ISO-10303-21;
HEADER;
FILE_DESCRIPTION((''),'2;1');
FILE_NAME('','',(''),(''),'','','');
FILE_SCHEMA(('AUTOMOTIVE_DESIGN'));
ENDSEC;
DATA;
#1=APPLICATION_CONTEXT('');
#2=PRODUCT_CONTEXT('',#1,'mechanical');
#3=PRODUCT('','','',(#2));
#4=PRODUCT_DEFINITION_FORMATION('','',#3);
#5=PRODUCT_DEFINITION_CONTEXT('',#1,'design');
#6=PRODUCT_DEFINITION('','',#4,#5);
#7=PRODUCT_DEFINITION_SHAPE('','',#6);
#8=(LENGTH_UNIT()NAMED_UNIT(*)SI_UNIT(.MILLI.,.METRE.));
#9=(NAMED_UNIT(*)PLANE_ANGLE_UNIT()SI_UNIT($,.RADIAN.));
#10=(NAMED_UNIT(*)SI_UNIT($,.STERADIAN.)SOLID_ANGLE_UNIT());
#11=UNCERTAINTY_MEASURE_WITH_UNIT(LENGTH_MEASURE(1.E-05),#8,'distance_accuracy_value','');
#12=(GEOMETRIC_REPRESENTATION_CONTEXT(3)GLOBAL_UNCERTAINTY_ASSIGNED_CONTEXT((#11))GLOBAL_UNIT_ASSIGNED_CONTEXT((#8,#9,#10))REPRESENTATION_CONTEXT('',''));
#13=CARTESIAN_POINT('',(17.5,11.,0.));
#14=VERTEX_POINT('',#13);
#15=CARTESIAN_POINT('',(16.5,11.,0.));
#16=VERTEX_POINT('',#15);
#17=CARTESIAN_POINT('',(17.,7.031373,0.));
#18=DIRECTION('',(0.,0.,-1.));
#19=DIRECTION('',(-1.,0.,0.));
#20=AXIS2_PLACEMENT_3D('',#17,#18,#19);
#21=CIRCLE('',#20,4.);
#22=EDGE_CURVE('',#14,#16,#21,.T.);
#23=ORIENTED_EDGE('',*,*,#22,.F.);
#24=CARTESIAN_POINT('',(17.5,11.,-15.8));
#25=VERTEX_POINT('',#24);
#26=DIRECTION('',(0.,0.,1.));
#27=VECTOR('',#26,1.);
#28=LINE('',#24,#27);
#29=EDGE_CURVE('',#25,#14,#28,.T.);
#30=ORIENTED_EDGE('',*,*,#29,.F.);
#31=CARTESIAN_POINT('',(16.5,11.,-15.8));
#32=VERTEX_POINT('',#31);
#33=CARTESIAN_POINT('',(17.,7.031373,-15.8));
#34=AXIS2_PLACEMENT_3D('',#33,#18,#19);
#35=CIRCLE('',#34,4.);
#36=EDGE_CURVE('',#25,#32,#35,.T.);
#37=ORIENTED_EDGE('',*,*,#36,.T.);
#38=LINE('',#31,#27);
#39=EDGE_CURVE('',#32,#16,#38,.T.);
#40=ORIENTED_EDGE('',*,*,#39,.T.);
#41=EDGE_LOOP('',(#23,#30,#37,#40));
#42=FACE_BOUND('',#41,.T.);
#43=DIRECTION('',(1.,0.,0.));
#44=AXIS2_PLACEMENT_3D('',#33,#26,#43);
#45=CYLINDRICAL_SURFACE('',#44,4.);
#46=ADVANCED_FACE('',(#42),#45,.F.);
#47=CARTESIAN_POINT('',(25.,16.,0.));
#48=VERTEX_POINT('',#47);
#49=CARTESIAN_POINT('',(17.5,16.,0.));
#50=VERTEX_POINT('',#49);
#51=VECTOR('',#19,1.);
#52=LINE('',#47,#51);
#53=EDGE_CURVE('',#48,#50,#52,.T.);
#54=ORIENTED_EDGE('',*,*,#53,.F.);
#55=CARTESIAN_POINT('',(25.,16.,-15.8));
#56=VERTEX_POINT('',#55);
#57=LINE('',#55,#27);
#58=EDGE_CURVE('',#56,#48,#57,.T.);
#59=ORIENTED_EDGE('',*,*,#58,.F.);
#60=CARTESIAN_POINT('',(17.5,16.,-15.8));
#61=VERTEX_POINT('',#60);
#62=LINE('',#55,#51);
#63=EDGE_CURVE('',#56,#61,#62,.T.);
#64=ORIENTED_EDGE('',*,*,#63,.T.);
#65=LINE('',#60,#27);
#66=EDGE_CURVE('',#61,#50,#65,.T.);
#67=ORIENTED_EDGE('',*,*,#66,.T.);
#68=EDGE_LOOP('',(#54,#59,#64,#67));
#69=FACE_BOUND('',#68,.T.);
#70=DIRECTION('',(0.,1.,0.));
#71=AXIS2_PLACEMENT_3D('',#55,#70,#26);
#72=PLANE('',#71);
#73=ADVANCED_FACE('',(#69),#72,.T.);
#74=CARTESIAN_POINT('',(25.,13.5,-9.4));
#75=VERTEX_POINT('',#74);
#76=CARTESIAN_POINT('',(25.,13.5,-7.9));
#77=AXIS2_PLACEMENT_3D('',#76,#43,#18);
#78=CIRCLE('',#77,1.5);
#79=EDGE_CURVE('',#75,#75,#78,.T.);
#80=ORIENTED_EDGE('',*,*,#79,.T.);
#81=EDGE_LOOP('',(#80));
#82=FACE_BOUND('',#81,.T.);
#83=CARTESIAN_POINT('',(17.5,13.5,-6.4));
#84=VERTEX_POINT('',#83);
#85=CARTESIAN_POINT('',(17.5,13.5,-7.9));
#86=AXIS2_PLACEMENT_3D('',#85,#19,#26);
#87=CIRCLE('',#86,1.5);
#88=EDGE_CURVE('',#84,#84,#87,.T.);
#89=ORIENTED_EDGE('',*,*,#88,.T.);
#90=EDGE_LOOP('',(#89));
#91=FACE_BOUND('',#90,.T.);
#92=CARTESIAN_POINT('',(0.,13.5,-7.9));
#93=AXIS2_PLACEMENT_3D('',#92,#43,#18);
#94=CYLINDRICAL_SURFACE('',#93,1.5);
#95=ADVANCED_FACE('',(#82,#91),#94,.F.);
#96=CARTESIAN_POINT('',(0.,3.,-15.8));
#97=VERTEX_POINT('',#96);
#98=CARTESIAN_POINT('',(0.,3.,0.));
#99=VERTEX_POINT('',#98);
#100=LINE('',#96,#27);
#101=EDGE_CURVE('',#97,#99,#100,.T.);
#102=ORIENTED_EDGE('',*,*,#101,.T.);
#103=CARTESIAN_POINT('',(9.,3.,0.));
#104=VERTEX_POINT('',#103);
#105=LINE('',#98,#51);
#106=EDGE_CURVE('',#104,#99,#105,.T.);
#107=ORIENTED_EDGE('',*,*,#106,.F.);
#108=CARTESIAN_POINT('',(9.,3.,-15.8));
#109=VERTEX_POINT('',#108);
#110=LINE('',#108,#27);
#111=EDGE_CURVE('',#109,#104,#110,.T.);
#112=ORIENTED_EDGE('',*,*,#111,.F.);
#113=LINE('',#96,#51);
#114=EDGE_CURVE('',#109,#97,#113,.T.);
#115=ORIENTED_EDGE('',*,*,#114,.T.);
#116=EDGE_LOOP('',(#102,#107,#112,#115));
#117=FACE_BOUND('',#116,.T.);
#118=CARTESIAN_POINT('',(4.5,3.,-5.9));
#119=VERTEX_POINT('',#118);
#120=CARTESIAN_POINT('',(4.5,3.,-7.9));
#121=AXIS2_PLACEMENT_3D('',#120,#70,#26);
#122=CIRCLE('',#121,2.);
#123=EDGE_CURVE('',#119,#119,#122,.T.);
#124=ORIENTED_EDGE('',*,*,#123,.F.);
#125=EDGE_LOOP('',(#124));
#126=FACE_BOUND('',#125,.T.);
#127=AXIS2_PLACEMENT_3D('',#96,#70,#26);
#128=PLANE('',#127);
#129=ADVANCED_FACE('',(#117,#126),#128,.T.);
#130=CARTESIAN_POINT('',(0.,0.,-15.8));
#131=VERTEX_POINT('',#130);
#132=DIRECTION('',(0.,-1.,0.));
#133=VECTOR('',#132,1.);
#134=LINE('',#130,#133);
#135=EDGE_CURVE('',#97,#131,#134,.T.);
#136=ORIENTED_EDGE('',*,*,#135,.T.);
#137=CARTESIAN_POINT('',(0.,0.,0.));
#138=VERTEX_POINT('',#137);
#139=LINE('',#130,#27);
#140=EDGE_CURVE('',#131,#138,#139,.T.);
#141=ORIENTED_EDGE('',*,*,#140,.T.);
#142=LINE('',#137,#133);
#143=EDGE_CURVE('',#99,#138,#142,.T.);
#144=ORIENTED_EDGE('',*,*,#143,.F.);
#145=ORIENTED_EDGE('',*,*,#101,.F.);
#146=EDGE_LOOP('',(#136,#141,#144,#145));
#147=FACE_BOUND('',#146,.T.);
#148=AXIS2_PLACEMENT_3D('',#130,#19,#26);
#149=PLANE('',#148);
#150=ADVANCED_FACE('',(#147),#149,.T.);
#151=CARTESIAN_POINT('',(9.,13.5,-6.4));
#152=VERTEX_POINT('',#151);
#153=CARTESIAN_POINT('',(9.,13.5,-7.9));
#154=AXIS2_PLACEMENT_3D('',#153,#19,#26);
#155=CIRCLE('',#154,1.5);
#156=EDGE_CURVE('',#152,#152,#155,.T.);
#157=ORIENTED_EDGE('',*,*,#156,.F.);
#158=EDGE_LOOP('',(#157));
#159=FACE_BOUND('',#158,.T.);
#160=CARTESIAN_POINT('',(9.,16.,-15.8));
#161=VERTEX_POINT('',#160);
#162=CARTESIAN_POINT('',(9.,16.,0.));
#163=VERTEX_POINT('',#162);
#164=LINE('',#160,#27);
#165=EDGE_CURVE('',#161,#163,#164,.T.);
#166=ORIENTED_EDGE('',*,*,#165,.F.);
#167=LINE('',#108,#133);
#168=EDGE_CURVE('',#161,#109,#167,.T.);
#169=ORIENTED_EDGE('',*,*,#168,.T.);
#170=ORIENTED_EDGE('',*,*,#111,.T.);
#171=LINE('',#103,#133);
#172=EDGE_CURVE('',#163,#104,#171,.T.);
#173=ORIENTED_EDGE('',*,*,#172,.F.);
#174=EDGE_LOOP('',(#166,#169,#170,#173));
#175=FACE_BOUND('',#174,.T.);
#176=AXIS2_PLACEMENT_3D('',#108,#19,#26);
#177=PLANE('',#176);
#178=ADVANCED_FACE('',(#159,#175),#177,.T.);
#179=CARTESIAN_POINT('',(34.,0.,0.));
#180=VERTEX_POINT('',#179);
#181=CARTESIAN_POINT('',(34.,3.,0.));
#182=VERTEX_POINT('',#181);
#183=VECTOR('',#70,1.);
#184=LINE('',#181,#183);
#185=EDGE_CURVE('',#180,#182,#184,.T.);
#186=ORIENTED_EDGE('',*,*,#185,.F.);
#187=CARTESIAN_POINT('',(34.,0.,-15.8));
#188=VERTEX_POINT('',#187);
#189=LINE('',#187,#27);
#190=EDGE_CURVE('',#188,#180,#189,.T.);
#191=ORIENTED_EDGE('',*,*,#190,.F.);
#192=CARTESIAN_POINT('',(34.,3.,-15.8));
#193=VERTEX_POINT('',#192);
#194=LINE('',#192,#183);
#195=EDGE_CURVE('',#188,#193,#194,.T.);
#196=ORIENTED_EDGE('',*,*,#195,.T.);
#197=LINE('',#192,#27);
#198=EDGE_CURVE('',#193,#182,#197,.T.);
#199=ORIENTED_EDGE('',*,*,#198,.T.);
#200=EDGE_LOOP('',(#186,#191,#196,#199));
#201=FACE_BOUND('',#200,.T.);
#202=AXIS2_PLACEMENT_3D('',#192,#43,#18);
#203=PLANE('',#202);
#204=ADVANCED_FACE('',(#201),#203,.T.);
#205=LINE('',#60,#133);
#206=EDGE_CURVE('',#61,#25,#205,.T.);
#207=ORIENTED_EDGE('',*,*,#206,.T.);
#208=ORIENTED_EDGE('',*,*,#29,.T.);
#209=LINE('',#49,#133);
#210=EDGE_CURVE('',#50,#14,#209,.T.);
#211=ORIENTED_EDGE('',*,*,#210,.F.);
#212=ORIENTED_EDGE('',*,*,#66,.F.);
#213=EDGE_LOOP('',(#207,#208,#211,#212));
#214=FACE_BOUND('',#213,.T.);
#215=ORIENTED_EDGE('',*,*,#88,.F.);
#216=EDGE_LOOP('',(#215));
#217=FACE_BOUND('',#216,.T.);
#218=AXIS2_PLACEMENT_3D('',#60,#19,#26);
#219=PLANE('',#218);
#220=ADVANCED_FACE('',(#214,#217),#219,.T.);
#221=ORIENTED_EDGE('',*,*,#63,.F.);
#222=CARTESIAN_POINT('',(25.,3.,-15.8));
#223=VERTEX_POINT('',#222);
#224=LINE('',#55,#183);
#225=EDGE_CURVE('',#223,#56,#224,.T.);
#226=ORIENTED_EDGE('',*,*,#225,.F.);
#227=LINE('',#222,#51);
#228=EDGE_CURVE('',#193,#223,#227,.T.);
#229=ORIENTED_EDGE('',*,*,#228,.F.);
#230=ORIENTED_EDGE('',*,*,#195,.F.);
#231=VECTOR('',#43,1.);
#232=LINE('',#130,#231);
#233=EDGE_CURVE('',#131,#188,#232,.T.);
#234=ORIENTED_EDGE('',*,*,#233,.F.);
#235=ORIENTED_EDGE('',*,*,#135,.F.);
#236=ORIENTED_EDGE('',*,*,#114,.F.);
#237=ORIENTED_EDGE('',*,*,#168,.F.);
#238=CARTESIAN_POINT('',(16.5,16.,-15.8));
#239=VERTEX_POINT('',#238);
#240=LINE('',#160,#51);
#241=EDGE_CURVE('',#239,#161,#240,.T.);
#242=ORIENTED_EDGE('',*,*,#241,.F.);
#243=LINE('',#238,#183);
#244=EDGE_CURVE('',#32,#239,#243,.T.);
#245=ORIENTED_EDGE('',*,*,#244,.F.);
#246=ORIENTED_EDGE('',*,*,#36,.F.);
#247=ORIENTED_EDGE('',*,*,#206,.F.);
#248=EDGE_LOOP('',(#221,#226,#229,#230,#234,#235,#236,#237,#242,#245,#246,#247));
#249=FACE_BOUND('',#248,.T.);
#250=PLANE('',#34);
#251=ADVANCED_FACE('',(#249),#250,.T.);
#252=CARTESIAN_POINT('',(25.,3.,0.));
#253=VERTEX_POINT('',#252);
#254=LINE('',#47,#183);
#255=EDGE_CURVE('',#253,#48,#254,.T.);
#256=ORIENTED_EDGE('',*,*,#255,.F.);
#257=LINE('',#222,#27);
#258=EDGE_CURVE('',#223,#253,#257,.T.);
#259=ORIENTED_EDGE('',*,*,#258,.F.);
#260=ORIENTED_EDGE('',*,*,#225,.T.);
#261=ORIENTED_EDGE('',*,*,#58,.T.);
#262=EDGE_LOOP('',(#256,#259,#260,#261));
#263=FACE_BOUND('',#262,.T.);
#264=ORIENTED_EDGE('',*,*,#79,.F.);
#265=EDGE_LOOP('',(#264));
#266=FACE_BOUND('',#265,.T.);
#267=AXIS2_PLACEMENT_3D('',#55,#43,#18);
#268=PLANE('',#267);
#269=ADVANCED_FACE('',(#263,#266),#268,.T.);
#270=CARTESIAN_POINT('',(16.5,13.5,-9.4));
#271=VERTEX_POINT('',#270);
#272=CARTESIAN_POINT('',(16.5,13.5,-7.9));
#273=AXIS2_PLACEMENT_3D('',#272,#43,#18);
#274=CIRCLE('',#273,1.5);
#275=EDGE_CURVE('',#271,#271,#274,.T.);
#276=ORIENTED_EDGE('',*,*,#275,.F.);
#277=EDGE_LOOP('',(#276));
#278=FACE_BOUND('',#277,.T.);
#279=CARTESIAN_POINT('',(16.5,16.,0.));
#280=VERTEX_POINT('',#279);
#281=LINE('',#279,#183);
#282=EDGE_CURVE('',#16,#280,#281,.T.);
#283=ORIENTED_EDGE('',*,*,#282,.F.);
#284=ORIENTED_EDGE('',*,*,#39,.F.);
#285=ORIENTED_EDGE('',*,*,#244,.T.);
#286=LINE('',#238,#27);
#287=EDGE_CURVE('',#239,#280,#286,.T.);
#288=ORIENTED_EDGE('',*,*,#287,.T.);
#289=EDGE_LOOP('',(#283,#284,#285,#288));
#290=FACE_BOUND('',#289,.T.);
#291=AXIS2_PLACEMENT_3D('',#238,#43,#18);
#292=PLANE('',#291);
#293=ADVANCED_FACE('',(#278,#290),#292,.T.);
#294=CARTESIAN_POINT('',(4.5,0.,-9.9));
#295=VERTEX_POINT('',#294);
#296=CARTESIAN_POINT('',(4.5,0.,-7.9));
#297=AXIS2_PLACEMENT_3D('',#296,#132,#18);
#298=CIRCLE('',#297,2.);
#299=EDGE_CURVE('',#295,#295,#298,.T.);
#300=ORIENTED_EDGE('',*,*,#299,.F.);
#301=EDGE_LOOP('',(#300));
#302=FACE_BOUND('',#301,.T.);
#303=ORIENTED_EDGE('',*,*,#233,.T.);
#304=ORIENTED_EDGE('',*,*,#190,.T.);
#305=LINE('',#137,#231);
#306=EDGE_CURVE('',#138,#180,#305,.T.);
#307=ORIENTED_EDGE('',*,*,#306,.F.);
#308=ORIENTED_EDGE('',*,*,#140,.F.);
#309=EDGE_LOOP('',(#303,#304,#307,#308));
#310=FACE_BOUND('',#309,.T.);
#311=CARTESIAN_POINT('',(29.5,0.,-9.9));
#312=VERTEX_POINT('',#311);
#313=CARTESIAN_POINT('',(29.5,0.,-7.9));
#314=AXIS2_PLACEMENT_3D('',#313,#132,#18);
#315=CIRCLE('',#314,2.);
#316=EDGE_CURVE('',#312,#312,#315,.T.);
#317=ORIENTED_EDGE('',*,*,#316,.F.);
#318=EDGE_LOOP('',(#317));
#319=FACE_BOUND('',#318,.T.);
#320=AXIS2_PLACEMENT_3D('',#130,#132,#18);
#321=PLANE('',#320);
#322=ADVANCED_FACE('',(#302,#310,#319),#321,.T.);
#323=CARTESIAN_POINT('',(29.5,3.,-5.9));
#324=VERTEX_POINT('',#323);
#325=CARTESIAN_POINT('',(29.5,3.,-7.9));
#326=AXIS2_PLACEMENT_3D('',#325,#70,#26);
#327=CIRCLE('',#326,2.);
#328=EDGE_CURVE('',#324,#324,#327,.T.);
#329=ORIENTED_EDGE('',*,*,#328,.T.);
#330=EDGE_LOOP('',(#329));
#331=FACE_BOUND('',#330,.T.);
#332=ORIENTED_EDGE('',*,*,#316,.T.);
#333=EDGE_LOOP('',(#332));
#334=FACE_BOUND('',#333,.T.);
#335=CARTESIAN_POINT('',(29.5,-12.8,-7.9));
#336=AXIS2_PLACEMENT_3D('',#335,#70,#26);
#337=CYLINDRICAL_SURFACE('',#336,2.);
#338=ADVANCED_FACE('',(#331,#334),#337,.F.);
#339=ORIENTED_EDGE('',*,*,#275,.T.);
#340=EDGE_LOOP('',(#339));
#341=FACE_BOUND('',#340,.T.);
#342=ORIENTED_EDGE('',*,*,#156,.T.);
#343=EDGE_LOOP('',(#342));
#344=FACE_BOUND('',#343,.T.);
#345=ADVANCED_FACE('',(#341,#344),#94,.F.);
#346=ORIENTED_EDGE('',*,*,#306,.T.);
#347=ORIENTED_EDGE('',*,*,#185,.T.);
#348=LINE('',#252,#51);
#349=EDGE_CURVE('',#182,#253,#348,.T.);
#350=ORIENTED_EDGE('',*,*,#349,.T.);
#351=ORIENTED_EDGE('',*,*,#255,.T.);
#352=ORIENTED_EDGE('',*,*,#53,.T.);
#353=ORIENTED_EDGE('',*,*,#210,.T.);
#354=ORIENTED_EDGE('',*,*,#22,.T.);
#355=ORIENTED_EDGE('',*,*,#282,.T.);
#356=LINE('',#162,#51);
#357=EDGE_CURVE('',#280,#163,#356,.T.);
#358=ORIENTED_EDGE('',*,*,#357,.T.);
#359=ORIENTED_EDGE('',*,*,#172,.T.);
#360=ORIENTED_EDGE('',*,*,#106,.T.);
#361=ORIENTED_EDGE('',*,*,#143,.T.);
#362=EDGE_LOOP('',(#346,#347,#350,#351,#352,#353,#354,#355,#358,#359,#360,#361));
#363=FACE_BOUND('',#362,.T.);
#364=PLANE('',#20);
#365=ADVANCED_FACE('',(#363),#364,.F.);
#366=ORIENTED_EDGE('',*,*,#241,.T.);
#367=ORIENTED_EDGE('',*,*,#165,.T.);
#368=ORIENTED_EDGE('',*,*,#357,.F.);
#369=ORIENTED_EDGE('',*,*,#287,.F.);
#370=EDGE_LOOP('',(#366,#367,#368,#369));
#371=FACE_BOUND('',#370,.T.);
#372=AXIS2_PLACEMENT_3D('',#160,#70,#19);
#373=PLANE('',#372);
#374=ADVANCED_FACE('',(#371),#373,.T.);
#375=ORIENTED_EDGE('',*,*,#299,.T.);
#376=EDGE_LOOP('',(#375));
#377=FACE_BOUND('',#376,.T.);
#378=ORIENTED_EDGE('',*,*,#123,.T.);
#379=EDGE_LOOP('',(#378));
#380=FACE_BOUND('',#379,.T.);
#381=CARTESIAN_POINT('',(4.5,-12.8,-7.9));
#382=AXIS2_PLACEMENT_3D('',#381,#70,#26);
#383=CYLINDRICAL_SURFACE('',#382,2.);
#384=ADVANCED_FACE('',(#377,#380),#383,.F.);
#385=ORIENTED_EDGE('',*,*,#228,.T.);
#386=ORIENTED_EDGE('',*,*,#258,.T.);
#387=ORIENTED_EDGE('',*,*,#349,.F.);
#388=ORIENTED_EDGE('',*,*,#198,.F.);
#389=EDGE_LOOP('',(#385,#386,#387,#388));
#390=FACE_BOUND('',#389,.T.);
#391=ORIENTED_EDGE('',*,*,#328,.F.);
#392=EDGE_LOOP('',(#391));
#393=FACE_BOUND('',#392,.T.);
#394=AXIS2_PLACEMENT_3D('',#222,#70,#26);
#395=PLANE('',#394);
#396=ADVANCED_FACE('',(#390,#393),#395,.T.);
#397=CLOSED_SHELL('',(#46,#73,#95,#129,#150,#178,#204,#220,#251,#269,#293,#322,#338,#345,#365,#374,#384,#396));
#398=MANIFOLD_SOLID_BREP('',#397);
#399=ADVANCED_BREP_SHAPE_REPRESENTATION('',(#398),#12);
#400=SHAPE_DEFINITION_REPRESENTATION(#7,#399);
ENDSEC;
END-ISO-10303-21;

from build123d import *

# Parameters (mm, degrees)
BOSS_EXTRUDE1_DEPTH = 15.8
SKETCH2_R           = 2
CUT_EXTRUDE1_DEPTH  = 15.8
SKETCH4_R           = 2
CUT_EXTRUDE2_DEPTH  = 15.8
SKETCH5_R           = 1.5
CUT_EXTRUDE3_DEPTH  = 34.624990706


with BuildPart() as part:
    # Sketch1 → Boss-Extrude1 (new body)
    with BuildSketch(Plane.XY):
        with BuildLine():
            Line((0, 0), (34, 0))
            Line((34, 0), (34, 3))
            Line((34, 3), (25, 3))
            Line((25, 3), (25, 16))
            Line((25, 16), (17.5, 16))
            Line((17.5, 16), (17.5, 11))
            ThreePointArc((17.5, 11), (17, 3.031373033), (16.5, 11))
            Line((16.5, 11), (16.5, 16))
            Line((16.5, 16), (9, 16))
            Line((9, 16), (9, 3))
            Line((9, 3), (0, 3))
            Line((0, 3), (0, 0))
        make_face()
    extrude(amount=-BOSS_EXTRUDE1_DEPTH)

    # Sketch2 → Cut-Extrude1 (cut)
    with BuildSketch(Plane(origin=(0, 3, 0), x_dir=(1, 0, 0), z_dir=(0, 1, 0))):
        with Locations(Location((4.5, 7.9, 0), (0, 0, 270))):
            Circle(SKETCH2_R)
    extrude(amount=-CUT_EXTRUDE1_DEPTH, mode=Mode.SUBTRACT)

    # Sketch4 → Cut-Extrude2 (cut)
    with BuildSketch(Plane(origin=(0, 3, 0), x_dir=(1, 0, 0), z_dir=(0, 1, 0))):
        with Locations(Location((29.5, 7.9, 0), (0, 0, 270))):
            Circle(SKETCH4_R)
    extrude(amount=-CUT_EXTRUDE2_DEPTH, mode=Mode.SUBTRACT)

    # Sketch5 → Cut-Extrude3 (cut, through all)
    with BuildSketch(Plane(origin=(25, 0, 0), x_dir=(0, 0, -1), z_dir=(1, 0, 0))):
        with Locations((7.9, 13.5)):
            Circle(SKETCH5_R)
    extrude(amount=-CUT_EXTRUDE3_DEPTH, mode=Mode.SUBTRACT)


solid = part.part
